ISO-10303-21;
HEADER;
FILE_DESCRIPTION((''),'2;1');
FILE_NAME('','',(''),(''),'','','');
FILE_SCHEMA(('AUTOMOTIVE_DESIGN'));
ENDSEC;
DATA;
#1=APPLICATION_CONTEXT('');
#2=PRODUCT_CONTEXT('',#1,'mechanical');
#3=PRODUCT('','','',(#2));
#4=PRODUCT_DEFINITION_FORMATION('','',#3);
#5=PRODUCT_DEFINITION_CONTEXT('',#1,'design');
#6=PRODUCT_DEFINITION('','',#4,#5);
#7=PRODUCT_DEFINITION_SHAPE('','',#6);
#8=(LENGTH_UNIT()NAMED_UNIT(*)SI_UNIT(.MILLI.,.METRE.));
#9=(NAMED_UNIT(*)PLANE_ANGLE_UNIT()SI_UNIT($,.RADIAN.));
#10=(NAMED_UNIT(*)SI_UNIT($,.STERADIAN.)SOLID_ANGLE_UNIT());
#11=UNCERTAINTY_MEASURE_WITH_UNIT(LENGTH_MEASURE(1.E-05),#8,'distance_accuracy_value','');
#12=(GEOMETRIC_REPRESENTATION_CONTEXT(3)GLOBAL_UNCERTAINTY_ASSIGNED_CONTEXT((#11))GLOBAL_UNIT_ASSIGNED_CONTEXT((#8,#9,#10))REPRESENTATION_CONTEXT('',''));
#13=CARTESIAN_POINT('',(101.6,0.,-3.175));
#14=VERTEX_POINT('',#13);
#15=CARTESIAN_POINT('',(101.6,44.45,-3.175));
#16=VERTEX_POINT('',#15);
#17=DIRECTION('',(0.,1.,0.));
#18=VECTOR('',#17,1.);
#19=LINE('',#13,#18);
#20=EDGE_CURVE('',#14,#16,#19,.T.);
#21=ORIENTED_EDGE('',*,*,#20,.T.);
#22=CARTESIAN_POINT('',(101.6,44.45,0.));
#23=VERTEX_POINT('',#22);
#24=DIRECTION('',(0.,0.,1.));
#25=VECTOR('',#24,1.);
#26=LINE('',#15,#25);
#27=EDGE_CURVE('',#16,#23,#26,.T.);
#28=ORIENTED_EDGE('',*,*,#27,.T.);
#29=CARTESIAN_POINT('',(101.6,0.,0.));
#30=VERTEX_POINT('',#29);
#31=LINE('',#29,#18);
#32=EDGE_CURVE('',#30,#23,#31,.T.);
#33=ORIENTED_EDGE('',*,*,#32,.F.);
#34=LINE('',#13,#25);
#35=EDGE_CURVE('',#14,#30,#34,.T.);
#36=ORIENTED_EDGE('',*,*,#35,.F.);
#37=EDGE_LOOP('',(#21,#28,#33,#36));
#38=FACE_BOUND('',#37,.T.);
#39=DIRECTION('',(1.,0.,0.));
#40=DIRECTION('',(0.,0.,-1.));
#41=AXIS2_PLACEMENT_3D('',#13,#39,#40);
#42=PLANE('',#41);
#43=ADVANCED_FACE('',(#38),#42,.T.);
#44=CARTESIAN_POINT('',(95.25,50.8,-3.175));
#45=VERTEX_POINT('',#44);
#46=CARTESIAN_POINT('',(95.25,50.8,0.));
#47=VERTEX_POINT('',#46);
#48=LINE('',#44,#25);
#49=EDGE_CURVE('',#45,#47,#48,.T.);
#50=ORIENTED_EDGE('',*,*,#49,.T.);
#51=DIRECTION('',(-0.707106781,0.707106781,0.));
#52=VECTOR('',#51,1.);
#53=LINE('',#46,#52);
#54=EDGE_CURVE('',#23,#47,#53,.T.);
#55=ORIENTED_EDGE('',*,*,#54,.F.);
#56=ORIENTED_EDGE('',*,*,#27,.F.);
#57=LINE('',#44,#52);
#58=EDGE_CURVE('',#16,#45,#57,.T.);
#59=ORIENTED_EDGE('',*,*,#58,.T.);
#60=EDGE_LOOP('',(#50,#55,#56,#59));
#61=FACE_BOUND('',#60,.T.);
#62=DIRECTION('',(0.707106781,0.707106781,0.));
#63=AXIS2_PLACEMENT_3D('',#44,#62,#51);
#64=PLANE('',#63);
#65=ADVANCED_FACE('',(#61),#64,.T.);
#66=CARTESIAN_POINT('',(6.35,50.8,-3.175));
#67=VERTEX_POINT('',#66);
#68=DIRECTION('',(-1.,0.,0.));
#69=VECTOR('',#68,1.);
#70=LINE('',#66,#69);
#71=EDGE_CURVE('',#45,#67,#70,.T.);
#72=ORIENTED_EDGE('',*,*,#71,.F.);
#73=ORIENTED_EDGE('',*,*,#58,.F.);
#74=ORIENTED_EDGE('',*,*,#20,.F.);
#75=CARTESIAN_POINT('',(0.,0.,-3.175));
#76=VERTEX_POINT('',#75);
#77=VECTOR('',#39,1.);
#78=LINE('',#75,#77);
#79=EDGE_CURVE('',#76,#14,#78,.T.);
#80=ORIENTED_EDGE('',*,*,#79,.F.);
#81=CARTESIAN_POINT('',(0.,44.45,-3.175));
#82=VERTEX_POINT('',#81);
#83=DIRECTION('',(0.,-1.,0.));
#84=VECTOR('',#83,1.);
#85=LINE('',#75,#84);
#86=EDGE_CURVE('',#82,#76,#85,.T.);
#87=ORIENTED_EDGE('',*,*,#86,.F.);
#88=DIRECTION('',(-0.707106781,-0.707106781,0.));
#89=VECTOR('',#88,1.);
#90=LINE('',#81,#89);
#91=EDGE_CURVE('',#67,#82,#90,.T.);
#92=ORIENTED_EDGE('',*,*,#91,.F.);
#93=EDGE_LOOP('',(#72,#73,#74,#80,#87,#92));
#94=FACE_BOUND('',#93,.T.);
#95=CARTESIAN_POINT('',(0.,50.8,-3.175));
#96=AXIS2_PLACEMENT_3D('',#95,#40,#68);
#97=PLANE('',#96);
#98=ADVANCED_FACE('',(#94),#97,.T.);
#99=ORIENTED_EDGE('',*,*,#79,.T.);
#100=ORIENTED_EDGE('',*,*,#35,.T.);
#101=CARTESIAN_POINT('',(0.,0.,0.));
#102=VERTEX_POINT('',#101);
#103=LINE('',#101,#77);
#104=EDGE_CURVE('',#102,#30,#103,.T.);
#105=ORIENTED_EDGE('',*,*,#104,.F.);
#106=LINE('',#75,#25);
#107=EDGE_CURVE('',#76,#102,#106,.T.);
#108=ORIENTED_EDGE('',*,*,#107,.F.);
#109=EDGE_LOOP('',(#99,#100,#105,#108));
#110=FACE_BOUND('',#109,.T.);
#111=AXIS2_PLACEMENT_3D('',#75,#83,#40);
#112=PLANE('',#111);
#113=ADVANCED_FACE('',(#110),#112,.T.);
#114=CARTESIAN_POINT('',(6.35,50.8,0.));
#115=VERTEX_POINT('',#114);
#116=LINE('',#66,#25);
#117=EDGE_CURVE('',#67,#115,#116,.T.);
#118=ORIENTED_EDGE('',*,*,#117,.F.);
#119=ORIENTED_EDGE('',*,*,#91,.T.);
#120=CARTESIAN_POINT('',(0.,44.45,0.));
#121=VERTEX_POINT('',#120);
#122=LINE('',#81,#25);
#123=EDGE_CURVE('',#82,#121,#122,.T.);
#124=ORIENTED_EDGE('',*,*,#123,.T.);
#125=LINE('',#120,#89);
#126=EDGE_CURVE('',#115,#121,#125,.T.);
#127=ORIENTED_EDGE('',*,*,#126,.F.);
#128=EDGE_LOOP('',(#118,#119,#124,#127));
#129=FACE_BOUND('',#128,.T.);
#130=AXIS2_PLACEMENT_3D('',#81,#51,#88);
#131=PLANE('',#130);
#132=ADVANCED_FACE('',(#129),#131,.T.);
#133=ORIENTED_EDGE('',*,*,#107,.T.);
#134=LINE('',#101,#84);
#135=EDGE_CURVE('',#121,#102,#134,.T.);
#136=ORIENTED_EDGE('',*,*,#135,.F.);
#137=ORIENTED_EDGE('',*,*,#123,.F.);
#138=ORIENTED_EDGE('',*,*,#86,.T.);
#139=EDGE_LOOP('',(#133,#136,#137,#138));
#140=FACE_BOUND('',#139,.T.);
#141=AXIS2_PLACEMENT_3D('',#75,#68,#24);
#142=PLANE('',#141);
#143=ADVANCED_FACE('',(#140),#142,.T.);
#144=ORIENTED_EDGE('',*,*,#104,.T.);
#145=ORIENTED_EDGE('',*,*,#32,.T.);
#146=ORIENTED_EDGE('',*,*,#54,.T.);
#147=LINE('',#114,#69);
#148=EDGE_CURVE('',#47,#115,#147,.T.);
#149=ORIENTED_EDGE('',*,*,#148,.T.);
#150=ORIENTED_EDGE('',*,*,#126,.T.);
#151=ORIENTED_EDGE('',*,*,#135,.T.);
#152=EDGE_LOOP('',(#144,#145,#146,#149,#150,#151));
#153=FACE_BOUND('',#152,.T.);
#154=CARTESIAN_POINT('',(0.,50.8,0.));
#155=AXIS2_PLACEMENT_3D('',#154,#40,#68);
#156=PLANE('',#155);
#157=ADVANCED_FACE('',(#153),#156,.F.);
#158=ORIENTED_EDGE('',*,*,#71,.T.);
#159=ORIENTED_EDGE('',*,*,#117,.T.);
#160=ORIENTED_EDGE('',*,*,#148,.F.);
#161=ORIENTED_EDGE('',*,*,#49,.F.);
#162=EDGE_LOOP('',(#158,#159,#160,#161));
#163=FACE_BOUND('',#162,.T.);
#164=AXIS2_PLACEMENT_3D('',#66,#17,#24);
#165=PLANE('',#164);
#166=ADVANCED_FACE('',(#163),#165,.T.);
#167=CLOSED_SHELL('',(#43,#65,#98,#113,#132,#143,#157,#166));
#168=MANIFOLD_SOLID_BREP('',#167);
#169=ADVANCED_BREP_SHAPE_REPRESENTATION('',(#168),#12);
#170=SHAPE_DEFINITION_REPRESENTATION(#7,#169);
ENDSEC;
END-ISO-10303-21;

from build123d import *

# Parameters (mm, degrees)
EXTRUDE10_DEPTH = 3.175


with BuildPart() as part:
    # Sketch15 → Extrude10 (new body)
    with BuildSketch(Plane.XY):
        Polygon((0, 44.45), (6.35, 50.8), (95.25, 50.8), (101.6, 44.45), (101.6, 0), (0, 0), align=None)
    extrude(amount=-EXTRUDE10_DEPTH)


solid = part.part
